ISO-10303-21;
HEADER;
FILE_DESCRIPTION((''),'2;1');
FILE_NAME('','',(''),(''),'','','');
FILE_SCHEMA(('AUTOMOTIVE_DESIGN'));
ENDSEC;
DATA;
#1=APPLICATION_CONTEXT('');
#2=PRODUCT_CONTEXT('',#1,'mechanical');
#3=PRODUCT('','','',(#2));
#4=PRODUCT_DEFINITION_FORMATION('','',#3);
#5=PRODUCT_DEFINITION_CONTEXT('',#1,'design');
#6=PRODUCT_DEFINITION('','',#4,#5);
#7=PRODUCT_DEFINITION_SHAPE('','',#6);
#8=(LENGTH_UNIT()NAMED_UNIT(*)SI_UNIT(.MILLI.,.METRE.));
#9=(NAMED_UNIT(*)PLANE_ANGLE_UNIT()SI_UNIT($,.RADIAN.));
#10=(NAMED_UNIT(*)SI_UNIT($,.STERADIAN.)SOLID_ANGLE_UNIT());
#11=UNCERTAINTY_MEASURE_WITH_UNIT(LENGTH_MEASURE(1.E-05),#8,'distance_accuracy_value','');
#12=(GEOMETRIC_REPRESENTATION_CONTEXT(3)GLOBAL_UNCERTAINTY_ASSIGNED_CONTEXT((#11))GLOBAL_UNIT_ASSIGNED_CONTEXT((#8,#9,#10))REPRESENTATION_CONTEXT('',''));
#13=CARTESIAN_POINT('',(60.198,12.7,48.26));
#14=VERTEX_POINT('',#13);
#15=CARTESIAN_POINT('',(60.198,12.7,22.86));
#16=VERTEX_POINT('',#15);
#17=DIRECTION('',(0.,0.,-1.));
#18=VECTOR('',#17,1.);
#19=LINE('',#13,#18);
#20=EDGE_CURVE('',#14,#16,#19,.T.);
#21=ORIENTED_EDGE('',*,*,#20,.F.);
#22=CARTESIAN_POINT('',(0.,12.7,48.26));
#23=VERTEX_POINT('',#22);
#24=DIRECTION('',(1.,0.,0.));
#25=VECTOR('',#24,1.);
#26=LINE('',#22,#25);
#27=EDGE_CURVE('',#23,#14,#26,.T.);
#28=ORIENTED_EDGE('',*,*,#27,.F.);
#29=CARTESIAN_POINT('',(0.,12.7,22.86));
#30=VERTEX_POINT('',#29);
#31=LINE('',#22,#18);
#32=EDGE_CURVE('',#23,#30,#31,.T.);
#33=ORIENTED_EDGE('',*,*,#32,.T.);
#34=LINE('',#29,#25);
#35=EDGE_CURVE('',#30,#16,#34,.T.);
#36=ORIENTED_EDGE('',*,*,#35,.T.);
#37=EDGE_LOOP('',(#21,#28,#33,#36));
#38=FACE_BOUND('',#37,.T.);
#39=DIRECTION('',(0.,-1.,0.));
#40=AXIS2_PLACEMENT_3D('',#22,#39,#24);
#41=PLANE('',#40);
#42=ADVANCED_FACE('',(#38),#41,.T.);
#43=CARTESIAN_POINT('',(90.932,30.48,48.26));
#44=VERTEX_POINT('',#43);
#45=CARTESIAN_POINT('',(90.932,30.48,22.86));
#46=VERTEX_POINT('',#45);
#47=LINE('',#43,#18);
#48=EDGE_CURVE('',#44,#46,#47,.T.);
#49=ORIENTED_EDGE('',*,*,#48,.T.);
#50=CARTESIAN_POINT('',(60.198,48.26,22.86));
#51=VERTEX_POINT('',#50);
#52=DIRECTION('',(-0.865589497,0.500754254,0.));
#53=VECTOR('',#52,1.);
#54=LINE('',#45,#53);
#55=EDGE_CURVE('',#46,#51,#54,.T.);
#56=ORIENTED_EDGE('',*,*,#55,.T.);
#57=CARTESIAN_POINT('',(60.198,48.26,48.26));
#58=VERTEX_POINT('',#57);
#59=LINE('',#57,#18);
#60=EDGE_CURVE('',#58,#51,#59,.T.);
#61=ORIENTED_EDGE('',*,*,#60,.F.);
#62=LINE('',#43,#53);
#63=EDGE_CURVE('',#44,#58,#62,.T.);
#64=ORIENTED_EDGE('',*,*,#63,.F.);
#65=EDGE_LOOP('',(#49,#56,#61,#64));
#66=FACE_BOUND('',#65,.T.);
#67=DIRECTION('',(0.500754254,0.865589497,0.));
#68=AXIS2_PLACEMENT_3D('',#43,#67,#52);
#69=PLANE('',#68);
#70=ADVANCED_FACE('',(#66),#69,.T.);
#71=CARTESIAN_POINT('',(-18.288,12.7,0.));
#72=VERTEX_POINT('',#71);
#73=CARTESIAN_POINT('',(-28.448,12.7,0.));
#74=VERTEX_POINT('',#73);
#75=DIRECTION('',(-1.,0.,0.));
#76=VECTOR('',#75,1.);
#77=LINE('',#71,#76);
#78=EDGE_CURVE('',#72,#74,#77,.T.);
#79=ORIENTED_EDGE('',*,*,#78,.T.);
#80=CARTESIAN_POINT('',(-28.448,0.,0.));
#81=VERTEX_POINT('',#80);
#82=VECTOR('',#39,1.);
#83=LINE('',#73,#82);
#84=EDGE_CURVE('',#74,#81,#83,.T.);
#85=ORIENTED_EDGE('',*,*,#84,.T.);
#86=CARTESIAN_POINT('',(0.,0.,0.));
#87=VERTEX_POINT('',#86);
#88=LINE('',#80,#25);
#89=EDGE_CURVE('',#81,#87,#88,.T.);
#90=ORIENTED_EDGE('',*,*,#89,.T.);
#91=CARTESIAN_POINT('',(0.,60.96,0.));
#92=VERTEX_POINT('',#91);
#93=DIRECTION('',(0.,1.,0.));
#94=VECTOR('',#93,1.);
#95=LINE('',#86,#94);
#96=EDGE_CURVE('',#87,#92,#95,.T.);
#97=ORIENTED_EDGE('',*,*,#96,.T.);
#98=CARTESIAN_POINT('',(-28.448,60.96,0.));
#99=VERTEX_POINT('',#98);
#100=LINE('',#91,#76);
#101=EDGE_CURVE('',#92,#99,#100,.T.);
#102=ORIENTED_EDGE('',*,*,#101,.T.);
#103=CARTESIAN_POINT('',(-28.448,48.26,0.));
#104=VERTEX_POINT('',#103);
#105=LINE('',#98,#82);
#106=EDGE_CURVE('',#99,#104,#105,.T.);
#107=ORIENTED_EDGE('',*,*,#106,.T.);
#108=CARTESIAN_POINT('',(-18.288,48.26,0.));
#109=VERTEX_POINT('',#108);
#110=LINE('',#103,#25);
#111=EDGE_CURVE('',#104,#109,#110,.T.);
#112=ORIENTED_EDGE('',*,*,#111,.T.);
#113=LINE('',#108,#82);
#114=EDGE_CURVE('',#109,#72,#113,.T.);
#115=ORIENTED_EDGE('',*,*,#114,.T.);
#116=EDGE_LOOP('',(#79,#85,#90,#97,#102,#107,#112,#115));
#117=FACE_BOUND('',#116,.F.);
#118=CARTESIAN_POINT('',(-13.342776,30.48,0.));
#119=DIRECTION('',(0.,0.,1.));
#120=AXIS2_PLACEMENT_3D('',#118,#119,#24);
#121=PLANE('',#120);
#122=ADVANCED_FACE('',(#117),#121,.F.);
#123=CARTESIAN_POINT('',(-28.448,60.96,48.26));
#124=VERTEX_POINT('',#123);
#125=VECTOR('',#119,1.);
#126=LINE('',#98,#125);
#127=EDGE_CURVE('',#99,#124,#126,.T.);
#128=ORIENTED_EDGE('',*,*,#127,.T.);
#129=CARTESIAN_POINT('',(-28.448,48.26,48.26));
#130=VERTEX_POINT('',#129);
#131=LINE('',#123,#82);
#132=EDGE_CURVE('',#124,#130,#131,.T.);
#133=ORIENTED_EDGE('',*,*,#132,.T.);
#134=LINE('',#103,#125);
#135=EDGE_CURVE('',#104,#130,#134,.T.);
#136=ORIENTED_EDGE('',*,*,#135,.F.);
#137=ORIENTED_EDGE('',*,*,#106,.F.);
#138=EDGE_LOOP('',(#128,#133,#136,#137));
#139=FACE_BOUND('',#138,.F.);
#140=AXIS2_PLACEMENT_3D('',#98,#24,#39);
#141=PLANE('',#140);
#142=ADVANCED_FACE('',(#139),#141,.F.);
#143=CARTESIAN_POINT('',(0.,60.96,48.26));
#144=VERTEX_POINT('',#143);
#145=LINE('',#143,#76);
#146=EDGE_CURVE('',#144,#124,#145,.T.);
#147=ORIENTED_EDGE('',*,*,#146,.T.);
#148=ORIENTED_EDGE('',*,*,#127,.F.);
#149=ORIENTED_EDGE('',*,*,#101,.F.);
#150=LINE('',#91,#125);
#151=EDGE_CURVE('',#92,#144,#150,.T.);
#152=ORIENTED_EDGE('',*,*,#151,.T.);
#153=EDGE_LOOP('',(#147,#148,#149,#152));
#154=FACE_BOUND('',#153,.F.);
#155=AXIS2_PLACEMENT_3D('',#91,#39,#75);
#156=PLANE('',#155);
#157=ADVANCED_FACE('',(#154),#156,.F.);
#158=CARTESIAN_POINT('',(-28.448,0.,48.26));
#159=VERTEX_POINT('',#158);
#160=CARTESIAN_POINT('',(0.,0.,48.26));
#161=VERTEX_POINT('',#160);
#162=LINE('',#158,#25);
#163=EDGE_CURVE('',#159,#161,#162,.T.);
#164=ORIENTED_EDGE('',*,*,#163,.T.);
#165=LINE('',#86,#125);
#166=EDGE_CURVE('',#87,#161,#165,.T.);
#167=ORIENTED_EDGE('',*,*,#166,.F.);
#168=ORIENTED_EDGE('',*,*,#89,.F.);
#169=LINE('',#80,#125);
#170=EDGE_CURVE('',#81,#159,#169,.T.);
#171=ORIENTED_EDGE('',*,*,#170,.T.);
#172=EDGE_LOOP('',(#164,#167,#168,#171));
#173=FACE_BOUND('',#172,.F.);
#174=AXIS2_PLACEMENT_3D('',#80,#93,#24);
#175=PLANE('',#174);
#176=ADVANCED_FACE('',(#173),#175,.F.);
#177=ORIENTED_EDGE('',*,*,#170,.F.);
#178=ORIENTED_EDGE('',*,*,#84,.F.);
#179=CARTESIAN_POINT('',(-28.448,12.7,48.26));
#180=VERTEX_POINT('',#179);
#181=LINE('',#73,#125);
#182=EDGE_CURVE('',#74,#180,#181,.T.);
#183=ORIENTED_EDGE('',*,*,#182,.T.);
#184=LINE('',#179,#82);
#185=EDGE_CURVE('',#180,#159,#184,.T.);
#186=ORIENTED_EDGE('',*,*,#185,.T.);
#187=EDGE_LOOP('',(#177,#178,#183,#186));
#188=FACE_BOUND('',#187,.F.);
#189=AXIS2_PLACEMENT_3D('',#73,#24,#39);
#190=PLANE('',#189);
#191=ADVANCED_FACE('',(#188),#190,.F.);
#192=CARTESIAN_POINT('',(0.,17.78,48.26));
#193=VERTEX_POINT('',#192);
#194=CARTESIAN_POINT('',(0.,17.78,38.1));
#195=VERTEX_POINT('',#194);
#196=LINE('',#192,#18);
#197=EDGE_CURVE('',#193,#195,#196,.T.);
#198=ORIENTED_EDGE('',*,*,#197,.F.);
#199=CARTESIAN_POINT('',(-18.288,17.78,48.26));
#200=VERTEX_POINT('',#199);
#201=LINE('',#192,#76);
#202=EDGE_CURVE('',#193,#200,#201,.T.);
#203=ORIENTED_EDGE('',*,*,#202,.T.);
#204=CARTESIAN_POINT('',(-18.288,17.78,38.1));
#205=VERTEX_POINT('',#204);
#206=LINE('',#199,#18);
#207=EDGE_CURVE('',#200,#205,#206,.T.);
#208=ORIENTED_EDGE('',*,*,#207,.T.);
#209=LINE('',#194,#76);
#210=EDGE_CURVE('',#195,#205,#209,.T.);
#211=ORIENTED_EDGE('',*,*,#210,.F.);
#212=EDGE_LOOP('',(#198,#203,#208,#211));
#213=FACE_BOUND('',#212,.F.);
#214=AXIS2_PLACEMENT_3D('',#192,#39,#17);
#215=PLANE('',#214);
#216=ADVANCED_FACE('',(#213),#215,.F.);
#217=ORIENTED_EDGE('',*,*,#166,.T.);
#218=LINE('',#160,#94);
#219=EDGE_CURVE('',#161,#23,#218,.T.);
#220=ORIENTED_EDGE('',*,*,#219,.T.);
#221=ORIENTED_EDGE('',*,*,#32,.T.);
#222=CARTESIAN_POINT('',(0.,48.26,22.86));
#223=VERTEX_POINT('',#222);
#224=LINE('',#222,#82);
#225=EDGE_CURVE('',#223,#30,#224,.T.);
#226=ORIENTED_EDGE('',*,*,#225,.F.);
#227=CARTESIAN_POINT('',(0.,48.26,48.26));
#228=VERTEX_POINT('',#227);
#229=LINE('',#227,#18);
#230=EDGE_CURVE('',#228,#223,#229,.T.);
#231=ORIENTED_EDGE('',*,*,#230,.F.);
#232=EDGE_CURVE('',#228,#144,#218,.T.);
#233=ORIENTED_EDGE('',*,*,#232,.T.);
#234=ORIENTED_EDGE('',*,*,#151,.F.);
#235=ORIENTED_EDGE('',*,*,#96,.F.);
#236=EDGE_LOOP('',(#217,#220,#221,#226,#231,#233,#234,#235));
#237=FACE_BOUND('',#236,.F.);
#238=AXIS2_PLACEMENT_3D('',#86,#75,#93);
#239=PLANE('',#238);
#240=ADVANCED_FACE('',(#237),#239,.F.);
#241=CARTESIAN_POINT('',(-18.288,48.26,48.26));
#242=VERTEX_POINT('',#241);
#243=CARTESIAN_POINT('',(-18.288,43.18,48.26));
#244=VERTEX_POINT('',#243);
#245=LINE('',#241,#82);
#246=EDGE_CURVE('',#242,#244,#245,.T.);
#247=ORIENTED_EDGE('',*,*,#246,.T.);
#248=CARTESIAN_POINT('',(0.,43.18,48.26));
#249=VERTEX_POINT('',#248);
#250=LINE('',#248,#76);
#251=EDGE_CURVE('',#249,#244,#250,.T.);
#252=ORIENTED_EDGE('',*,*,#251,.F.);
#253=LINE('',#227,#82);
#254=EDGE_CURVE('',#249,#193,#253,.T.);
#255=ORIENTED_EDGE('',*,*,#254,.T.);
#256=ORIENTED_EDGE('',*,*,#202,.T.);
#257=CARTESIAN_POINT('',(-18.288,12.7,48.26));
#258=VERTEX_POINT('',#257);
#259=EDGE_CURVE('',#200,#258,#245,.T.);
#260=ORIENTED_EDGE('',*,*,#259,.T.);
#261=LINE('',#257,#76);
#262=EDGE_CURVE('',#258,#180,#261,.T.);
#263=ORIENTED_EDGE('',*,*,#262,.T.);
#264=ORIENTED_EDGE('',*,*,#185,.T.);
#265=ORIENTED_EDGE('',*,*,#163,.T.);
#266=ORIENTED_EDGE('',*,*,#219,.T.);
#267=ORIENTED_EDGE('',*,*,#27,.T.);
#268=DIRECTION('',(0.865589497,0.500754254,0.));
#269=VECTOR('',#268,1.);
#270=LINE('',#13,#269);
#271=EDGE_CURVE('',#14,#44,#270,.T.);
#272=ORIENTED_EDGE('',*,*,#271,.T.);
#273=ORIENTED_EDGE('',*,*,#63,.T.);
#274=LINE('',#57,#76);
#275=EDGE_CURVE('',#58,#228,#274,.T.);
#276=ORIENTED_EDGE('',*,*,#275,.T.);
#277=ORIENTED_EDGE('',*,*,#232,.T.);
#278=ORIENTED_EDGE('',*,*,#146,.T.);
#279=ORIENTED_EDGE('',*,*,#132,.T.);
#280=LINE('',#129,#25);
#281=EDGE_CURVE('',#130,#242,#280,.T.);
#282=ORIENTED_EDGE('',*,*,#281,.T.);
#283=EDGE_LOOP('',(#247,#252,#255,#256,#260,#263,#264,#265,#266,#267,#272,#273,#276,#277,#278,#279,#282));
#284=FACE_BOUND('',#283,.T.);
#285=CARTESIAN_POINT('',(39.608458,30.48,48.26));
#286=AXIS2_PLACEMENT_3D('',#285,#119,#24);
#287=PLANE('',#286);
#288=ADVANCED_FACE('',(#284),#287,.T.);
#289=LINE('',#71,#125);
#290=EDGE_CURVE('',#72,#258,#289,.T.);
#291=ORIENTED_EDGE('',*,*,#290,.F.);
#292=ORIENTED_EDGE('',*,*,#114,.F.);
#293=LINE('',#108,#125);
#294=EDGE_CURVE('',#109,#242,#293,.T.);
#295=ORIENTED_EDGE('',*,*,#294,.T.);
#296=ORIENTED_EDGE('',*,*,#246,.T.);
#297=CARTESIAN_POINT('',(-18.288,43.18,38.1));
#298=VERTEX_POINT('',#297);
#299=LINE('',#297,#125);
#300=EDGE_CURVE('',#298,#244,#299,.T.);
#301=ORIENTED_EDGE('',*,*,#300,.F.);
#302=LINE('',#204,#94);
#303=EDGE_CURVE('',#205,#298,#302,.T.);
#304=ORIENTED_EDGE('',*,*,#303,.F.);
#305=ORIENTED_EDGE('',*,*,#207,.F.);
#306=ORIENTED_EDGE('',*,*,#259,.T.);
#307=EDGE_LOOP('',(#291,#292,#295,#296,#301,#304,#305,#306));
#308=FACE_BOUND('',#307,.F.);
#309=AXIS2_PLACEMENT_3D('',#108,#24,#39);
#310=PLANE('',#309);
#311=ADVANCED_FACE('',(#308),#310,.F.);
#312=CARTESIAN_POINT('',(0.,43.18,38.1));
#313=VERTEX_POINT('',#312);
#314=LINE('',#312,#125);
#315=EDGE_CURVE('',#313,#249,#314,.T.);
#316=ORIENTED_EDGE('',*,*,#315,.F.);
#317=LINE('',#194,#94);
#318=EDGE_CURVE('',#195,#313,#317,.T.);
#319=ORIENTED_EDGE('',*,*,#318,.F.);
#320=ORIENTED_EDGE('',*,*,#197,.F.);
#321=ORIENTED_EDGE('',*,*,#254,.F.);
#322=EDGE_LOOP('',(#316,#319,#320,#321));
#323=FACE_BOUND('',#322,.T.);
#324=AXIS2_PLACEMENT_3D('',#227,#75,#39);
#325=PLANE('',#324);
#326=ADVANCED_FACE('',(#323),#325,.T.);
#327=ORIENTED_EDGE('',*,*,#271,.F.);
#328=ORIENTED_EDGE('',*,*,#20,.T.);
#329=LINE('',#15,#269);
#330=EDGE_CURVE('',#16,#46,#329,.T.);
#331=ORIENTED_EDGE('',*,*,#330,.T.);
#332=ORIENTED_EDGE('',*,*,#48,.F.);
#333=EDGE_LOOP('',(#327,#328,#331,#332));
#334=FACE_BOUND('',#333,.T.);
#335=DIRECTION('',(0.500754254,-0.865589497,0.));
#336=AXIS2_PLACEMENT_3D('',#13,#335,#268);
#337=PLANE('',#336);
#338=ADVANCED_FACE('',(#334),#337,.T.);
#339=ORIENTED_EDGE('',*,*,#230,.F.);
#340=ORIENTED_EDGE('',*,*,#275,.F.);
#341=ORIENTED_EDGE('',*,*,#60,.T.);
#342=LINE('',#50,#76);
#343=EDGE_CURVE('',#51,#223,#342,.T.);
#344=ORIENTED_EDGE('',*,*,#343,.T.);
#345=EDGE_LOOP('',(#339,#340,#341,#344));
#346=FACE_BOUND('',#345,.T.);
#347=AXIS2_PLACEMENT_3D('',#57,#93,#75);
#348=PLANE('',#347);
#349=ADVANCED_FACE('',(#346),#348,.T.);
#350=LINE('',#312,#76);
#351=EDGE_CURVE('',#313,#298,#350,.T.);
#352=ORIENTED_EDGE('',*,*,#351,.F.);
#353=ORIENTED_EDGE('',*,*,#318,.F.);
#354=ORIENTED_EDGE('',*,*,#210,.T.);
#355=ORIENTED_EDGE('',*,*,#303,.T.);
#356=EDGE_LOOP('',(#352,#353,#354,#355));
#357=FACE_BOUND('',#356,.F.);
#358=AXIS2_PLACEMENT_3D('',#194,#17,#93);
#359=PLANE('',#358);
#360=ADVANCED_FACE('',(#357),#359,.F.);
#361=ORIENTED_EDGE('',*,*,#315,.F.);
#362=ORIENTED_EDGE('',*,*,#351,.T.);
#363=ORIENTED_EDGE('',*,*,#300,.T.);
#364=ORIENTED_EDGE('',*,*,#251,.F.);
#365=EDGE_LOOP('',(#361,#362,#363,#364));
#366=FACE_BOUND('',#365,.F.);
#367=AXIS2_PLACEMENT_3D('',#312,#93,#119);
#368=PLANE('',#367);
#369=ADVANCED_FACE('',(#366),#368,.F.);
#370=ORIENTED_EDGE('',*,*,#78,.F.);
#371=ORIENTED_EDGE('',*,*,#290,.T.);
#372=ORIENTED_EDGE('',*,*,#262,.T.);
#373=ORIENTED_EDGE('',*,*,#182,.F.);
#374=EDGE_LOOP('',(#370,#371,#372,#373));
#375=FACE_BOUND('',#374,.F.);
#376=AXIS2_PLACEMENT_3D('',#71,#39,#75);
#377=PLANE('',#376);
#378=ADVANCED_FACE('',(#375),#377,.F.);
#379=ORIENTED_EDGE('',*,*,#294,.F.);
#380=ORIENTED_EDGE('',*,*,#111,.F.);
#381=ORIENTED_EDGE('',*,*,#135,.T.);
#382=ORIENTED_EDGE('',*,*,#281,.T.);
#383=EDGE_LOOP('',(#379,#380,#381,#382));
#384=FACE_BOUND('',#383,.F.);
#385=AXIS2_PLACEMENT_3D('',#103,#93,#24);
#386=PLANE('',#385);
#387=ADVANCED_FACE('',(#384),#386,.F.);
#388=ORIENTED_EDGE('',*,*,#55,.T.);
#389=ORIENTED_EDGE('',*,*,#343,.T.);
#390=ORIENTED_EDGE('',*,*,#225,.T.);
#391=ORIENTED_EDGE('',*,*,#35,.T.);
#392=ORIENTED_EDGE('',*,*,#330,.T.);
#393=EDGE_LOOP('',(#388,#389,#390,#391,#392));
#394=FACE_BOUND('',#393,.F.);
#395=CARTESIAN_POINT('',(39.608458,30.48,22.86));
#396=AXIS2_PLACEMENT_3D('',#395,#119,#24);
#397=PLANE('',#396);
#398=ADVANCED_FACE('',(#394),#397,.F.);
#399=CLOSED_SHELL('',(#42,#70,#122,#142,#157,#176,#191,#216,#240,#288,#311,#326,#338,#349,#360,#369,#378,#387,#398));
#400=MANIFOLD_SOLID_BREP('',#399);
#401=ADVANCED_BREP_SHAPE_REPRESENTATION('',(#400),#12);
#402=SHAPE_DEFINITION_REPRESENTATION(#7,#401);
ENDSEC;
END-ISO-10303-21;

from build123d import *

# Parameters (mm, degrees)
F1_DEPTH = 48.26
F3_DEPTH = 18.288
F5_DEPTH = 25.4


with BuildPart() as f1:
    # F0 (on Top) → F1 (new body)
    with BuildSketch(Plane.XY):
        Polygon((-28.448, 0), (0, 0), (0, 30.48), (0, 60.96), (-28.448, 60.96), (-28.448, 48.26), (-18.288, 48.26), (-18.288, 43.18), (-18.288, 30.48), (-18.288, 17.78), (-18.288, 12.7), (-28.448, 12.7), align=None)
    extrude(amount=F1_DEPTH)

    # F2 (on face) → F3 (cut, through all)
    with BuildSketch(Plane.YZ):
        Polygon((17.78, 38.1), (30.48, 38.1), (43.18, 38.1), (43.18, 48.26), (17.78, 48.26), align=None)
    extrude(amount=-F3_DEPTH, mode=Mode.SUBTRACT)

    # F4 (on face) → F5 (join)
    with BuildSketch(Plane.XY.offset(48.26)):
        Polygon((0, 48.26), (0, 30.48), (0, 12.7), (60.198, 12.7), (90.932, 30.48), (60.198, 48.26), align=None)
    extrude(amount=-F5_DEPTH)


solid = f1.part
